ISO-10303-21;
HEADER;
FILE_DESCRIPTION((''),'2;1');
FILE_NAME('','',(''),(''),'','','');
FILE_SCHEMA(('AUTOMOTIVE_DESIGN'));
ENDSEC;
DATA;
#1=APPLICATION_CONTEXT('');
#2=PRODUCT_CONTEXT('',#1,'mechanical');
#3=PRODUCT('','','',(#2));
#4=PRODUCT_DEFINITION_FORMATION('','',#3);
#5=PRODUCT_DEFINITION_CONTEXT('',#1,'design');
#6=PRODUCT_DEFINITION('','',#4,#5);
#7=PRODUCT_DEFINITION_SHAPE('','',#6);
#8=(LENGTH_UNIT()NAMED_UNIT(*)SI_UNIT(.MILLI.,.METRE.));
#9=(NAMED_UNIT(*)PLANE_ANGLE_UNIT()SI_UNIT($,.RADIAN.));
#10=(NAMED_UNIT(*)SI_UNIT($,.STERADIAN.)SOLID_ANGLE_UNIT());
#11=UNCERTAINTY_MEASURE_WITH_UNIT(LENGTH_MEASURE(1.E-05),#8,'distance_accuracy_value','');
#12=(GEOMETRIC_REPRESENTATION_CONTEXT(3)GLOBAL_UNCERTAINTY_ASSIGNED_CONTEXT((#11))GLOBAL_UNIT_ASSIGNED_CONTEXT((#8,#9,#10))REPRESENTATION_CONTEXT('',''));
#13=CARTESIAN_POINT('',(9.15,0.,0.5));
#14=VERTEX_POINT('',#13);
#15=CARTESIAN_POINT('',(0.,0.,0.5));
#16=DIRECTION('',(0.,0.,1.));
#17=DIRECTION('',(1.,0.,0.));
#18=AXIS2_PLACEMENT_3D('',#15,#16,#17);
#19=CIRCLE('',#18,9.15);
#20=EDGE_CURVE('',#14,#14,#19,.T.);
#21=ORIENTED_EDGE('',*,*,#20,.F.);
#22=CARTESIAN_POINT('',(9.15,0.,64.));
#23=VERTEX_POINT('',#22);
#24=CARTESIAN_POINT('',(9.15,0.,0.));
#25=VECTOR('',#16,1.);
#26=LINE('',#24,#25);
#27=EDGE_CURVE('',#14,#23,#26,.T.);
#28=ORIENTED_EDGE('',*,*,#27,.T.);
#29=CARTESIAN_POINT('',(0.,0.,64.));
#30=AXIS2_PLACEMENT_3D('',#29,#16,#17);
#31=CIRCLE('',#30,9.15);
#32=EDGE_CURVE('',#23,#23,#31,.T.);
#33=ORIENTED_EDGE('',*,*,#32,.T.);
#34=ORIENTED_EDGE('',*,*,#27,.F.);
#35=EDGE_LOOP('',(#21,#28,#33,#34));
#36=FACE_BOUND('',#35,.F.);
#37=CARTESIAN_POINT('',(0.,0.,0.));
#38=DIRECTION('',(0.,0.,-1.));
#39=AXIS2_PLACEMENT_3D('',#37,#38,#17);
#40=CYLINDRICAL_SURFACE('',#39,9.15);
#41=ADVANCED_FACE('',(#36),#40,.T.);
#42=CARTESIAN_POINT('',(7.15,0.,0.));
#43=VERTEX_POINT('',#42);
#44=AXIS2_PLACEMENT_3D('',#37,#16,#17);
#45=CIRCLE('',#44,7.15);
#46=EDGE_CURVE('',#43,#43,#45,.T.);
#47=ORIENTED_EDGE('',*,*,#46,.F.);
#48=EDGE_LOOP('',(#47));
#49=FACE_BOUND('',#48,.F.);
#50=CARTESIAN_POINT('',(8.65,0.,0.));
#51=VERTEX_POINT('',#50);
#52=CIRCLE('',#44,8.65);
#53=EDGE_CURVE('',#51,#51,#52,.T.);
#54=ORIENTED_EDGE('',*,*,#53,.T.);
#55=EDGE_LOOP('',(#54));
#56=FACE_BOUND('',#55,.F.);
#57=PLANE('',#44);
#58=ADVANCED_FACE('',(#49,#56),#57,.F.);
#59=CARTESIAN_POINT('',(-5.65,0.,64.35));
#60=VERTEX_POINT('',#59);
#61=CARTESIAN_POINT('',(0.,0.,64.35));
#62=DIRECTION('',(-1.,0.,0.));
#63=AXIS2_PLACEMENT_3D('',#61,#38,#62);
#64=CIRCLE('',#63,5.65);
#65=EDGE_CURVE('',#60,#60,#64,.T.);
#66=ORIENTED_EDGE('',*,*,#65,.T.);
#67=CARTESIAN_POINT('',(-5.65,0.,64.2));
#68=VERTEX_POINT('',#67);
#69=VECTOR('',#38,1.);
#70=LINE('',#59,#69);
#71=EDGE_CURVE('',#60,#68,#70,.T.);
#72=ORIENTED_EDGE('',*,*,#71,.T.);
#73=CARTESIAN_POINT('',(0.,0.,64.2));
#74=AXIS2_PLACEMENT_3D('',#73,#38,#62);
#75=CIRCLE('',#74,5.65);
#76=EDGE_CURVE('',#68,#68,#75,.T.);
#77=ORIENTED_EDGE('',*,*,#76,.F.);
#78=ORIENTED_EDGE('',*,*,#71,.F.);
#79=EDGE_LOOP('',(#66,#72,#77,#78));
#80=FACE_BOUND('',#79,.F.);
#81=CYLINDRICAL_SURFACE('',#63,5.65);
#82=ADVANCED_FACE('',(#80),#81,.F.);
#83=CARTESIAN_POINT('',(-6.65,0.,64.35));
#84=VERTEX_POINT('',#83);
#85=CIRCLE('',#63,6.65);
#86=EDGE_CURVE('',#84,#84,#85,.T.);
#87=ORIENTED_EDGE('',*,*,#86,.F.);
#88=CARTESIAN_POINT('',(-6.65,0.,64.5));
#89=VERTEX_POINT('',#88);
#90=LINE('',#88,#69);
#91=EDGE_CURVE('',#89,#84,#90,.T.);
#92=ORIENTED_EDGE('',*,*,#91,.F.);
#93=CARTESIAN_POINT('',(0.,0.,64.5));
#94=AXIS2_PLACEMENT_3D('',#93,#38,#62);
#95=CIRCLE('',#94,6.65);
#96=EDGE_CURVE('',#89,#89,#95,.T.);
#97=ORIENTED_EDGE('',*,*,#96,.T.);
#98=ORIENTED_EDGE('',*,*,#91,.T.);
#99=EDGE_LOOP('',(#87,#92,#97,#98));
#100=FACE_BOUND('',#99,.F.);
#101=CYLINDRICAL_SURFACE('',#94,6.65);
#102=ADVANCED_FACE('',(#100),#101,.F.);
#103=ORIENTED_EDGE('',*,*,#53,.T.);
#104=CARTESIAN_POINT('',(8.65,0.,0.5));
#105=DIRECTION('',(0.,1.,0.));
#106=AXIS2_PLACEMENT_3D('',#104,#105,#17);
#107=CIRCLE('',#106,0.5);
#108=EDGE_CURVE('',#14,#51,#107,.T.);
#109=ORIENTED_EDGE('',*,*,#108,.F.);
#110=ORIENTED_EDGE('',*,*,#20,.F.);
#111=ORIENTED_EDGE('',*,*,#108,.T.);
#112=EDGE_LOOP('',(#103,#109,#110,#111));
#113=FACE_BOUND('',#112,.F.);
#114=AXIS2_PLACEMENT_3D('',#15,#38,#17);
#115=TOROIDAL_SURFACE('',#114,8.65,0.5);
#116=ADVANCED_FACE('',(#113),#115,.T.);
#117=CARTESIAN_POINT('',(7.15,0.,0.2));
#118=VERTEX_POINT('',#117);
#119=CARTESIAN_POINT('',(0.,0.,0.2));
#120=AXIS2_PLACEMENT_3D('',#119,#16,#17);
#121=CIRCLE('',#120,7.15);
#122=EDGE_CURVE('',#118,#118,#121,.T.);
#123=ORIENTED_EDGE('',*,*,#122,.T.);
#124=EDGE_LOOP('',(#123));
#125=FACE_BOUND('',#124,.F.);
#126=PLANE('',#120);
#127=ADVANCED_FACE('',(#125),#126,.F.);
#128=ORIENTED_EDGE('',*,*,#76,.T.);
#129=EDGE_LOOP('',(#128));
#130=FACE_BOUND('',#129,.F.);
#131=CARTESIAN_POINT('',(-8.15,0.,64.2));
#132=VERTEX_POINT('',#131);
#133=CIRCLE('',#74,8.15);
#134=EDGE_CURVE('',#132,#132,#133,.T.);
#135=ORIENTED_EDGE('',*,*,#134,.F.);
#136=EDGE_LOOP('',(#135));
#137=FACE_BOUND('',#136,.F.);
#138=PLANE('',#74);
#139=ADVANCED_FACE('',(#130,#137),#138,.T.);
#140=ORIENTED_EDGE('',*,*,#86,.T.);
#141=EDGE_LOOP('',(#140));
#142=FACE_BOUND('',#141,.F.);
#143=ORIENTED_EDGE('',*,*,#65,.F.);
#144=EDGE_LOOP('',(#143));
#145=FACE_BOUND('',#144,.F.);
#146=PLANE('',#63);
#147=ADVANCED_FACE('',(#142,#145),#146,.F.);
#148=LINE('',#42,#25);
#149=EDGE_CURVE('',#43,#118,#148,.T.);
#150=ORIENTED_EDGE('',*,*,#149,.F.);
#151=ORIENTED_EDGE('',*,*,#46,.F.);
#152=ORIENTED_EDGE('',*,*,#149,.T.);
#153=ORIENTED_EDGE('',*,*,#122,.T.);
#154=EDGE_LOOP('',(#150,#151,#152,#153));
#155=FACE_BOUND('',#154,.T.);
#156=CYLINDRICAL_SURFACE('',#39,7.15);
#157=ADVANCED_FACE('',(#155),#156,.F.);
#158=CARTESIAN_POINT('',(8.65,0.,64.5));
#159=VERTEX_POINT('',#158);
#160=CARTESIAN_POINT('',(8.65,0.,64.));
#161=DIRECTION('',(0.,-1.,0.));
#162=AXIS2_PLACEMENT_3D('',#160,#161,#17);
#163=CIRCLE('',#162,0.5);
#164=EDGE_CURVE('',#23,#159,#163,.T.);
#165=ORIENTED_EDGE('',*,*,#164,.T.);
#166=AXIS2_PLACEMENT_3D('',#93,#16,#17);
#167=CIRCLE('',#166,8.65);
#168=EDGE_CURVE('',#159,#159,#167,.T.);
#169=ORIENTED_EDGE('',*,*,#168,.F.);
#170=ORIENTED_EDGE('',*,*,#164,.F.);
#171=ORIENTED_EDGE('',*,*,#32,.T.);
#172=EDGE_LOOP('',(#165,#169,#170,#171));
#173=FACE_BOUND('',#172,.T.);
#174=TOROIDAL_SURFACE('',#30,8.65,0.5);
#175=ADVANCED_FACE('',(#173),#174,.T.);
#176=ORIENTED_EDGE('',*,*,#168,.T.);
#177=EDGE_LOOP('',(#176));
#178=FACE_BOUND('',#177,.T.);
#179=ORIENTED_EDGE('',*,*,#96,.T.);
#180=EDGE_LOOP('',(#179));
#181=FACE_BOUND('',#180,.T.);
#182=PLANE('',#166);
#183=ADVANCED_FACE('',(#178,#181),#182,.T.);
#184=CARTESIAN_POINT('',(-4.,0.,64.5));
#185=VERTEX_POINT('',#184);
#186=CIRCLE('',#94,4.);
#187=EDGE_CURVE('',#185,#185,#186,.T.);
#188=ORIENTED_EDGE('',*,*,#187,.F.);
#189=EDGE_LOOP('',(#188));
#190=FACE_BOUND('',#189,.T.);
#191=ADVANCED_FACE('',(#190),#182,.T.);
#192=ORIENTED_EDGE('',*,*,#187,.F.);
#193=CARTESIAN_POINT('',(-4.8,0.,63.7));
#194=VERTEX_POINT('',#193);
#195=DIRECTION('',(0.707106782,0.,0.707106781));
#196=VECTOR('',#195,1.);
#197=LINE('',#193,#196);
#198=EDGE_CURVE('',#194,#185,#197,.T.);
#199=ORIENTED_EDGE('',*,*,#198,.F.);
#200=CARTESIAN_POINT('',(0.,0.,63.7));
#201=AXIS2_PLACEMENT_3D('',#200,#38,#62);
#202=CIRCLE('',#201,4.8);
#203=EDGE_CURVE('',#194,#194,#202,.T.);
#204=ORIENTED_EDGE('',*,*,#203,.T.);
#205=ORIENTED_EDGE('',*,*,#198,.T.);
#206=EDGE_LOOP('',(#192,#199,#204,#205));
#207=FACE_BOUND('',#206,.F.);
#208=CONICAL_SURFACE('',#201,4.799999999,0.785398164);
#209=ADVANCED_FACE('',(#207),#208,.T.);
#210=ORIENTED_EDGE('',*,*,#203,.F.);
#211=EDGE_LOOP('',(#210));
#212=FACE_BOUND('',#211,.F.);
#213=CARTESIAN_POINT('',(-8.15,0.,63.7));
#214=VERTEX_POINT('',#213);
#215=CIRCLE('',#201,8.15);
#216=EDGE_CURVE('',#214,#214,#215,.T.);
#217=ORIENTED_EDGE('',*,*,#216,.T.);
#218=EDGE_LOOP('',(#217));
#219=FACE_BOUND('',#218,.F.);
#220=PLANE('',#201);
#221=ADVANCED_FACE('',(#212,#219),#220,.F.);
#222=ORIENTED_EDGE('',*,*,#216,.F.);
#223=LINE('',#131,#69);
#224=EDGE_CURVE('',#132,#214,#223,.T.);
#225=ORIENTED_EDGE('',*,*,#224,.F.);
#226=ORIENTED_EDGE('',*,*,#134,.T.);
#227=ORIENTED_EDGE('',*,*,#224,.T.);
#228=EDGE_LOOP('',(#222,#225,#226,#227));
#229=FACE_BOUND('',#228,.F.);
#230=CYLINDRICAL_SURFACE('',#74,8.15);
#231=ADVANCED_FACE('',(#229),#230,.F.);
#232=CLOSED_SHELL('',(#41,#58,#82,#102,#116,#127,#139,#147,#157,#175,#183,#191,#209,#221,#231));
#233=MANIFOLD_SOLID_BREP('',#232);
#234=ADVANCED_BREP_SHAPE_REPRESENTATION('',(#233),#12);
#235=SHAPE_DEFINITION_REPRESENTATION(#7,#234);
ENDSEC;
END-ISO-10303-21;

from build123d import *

# Parameters (mm, degrees)
SKETCH1_R           = 9.149999998
BOSS_EXTRUDE1_DEPTH = 64.5
SKETCH2_R           = 7.15
CUT_EXTRUDE1_DEPTH  = 0.2
FILLET1_R           = 0.5


with BuildPart() as part:
    # Sketch1 → Boss-Extrude1 (new body)
    with BuildSketch(Plane.XY):
        Circle(SKETCH1_R)
    extrude(amount=BOSS_EXTRUDE1_DEPTH)

    # Sketch2 → Cut-Extrude1 (cut)
    with BuildSketch(Plane.XY):
        Circle(SKETCH2_R)
    extrude(amount=CUT_EXTRUDE1_DEPTH, mode=Mode.SUBTRACT)

    # Sketch3 → Cut-Revolve1 (revolve, cut)
    with BuildSketch(Plane(origin=(0, 0, 0), x_dir=(1, 0, 0), z_dir=(0, 1, 0))):
        Polygon((-8.149999999, -64.2), (-8.149999999, -63.700000001), (-4.799999999, -63.700000001), (-3.999999999, -64.5), (-6.650000001, -64.5), (-6.650000001, -64.35), (-5.649999999, -64.35), (-5.649999999, -64.2), align=None)
    revolve(axis=Axis((0, 0, 64.835920194), (0, 0, -1)), mode=Mode.SUBTRACT)

    # Fillet1
    fillet1_edges = [part.edges().sort_by_distance(p)[0] for p in [
        (-9.149999998, 0, 0),
        (-9.149999998, 0, 64.5),
    ]]
    fillet(fillet1_edges, radius=FILLET1_R)


solid = part.part
